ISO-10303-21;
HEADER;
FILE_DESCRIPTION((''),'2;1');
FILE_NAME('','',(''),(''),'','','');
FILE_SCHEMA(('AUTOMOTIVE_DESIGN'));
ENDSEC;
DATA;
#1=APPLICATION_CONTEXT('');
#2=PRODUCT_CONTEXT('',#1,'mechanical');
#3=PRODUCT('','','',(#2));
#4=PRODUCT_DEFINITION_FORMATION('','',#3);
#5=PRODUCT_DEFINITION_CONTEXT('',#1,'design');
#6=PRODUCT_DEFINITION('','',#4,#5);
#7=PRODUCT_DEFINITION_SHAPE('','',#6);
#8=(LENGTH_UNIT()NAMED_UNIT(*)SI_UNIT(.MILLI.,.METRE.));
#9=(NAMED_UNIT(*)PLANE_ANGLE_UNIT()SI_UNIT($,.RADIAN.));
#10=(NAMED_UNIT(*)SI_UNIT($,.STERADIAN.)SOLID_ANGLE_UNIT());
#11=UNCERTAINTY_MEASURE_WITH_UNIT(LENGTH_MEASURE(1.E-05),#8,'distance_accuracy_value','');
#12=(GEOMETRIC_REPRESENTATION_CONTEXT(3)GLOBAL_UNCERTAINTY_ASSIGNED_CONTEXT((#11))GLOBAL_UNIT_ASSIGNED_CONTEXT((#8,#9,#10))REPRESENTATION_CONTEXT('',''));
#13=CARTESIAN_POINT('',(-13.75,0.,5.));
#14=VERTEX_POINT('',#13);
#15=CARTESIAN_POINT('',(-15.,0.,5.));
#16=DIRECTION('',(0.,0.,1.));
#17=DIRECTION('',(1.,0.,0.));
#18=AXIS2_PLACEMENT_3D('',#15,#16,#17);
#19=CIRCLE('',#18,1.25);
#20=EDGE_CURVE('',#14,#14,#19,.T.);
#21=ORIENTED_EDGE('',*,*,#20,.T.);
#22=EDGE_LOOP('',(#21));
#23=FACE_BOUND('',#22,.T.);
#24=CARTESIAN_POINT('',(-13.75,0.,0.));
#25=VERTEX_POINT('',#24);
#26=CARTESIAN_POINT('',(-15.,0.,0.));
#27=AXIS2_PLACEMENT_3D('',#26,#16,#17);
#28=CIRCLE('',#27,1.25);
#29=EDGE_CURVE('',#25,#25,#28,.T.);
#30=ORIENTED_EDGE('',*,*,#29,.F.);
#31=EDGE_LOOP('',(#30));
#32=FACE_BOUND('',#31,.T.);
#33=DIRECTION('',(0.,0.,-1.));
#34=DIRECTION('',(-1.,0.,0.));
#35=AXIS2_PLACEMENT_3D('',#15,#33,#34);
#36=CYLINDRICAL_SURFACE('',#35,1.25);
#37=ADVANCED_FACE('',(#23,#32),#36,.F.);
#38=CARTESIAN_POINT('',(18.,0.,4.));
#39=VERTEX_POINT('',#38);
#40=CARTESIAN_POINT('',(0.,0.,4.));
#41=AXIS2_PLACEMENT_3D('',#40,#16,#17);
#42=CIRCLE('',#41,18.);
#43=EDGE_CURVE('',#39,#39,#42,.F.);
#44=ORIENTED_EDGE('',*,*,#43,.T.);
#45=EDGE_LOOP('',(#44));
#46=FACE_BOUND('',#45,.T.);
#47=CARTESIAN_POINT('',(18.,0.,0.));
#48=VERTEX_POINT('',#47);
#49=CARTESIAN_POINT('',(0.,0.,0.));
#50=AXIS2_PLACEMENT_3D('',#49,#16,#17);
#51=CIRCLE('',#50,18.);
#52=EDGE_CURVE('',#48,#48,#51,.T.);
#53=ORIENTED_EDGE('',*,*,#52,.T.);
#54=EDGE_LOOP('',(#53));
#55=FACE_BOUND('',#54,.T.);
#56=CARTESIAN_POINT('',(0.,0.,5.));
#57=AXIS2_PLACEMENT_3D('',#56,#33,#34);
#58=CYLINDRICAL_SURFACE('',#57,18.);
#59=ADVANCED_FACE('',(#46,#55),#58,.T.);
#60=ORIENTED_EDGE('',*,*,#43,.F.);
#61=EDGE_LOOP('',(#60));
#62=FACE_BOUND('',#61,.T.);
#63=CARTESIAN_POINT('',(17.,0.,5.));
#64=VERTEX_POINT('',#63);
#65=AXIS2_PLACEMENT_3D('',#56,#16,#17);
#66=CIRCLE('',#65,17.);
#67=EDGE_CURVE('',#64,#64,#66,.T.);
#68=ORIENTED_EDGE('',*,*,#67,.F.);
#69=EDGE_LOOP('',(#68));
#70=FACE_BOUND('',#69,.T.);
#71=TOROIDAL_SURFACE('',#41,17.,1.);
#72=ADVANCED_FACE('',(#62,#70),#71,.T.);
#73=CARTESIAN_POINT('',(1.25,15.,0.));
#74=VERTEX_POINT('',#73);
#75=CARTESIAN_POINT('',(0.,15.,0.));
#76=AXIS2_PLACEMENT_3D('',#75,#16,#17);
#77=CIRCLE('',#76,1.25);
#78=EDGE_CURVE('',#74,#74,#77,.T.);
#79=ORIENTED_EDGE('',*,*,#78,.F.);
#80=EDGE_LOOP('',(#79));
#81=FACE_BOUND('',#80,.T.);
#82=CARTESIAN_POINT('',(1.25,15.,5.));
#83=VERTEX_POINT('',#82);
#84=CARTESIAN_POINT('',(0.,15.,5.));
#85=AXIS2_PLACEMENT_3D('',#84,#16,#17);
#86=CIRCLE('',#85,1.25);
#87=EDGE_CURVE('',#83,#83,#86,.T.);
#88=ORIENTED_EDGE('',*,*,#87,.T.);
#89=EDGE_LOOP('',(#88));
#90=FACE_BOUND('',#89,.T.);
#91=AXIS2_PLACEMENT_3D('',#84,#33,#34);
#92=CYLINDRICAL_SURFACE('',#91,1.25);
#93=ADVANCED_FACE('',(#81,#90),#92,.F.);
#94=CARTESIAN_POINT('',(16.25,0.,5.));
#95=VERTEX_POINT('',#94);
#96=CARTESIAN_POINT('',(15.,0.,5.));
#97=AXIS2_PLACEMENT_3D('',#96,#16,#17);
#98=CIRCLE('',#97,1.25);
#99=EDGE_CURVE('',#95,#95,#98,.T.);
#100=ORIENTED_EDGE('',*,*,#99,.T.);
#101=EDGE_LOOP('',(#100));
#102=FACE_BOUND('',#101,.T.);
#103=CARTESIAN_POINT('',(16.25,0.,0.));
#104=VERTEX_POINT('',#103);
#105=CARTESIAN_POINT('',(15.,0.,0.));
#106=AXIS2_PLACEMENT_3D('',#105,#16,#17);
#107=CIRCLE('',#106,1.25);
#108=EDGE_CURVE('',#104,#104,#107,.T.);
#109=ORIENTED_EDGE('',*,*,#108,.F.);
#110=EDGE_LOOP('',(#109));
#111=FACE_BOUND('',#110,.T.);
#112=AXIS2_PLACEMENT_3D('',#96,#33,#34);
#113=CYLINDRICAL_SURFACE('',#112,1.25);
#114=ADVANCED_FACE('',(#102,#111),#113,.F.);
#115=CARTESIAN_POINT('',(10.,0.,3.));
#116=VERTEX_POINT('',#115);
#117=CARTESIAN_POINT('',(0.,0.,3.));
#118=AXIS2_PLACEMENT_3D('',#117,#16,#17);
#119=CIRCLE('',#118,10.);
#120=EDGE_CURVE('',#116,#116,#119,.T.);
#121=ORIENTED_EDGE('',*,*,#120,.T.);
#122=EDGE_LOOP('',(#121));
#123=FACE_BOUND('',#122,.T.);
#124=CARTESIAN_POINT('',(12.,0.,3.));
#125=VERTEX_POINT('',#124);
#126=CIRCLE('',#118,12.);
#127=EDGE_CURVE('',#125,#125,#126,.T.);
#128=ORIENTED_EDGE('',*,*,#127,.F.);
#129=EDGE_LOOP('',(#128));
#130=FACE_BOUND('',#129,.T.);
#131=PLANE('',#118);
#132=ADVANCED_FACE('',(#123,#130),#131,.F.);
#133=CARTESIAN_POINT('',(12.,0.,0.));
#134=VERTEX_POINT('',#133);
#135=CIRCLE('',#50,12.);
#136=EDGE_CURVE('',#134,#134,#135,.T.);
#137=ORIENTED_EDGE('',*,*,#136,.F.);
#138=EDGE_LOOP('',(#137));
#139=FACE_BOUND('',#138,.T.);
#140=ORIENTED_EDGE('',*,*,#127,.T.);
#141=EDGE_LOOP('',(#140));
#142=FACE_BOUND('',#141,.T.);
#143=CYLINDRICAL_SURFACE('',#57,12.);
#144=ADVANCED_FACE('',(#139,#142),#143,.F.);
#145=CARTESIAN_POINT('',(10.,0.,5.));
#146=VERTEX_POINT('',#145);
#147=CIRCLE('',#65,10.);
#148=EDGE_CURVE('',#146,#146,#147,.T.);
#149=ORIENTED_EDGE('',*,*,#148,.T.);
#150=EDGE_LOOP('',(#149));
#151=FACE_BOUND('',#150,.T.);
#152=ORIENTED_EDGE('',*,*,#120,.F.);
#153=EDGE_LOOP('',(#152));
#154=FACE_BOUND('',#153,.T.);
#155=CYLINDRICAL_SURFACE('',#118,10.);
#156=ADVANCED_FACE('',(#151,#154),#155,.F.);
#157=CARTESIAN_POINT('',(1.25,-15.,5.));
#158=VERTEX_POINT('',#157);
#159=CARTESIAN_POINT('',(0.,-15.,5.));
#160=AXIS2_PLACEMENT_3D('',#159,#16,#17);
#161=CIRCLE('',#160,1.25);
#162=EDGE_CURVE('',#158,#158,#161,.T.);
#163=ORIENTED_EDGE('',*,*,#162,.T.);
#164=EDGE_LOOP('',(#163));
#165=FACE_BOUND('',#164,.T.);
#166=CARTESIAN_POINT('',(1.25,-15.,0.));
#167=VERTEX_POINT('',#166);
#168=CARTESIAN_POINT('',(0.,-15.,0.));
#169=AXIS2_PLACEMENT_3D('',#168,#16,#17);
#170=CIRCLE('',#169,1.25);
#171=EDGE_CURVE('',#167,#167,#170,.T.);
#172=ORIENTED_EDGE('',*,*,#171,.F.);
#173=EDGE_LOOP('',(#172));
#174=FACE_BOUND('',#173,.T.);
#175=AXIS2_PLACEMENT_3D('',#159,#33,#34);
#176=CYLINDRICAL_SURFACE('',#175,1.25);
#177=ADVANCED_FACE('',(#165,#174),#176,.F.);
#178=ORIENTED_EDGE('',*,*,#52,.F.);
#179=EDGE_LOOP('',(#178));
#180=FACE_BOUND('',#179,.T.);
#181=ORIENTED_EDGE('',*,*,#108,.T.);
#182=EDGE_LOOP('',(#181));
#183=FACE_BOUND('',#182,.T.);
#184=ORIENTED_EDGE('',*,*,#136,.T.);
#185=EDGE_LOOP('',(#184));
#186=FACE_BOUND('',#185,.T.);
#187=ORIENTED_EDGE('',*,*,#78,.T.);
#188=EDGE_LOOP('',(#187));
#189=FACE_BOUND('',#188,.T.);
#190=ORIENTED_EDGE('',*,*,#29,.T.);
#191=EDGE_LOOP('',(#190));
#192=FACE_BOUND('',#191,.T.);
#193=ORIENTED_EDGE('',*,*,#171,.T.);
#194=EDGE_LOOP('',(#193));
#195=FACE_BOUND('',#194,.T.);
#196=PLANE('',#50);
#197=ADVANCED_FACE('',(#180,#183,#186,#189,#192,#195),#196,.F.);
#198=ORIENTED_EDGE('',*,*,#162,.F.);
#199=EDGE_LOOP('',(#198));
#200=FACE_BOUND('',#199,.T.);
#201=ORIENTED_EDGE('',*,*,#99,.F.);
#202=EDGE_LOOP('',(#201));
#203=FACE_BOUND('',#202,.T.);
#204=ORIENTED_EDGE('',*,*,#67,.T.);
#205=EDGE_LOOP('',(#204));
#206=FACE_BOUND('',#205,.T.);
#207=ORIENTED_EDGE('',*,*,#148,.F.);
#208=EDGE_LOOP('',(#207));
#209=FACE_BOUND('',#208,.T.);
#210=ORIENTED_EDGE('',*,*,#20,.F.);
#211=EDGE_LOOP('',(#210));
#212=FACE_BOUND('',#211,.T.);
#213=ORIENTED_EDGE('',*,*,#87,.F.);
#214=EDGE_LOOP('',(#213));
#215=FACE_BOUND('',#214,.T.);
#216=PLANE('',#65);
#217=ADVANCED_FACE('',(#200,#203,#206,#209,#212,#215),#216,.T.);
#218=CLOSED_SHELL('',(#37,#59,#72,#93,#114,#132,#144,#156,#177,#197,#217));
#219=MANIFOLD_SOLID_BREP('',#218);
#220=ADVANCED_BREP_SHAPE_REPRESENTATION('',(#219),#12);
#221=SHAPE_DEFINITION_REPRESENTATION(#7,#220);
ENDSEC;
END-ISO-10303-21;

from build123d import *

# Parameters (mm, degrees)
SKETCH_1_R      = 18
SKETCH_1_R_2    = 12
SKETCH_1_R_3    = 1.25
EXTRUDE_1_DEPTH = 5
EXTRUDE_START   = -2
SKETCH_2_R      = 12
SKETCH_2_R_2    = 10
EXTRUDE_2_DEPTH = 2
FILLET_1_R      = 1


with BuildPart() as part:
    # 草图1 → 凸台-拉伸1 (new body)
    with BuildSketch(Plane.XY):
        Circle(SKETCH_1_R)
        Circle(SKETCH_1_R_2, mode=Mode.SUBTRACT)
        with Locations((0, 15)):
            Circle(SKETCH_1_R_3, mode=Mode.SUBTRACT)
        with Locations((-15, 0)):
            Circle(SKETCH_1_R_3, mode=Mode.SUBTRACT)
        with Locations((0, -15)):
            Circle(SKETCH_1_R_3, mode=Mode.SUBTRACT)
        with Locations((15, 0)):
            Circle(SKETCH_1_R_3, mode=Mode.SUBTRACT)
    extrude(amount=EXTRUDE_1_DEPTH)

    # 草图2 → 凸台-拉伸2 (add)
    with BuildSketch(Plane.XY.offset(5).offset(EXTRUDE_START)):
        Circle(SKETCH_2_R)
        Circle(SKETCH_2_R_2, mode=Mode.SUBTRACT)
    extrude(amount=EXTRUDE_2_DEPTH)

    # 圆角1
    fillet_1_edges = [part.edges().sort_by_distance(p)[0] for p in [
        (-18, 0, 5),
    ]]
    fillet(fillet_1_edges, radius=FILLET_1_R)


solid = part.part
